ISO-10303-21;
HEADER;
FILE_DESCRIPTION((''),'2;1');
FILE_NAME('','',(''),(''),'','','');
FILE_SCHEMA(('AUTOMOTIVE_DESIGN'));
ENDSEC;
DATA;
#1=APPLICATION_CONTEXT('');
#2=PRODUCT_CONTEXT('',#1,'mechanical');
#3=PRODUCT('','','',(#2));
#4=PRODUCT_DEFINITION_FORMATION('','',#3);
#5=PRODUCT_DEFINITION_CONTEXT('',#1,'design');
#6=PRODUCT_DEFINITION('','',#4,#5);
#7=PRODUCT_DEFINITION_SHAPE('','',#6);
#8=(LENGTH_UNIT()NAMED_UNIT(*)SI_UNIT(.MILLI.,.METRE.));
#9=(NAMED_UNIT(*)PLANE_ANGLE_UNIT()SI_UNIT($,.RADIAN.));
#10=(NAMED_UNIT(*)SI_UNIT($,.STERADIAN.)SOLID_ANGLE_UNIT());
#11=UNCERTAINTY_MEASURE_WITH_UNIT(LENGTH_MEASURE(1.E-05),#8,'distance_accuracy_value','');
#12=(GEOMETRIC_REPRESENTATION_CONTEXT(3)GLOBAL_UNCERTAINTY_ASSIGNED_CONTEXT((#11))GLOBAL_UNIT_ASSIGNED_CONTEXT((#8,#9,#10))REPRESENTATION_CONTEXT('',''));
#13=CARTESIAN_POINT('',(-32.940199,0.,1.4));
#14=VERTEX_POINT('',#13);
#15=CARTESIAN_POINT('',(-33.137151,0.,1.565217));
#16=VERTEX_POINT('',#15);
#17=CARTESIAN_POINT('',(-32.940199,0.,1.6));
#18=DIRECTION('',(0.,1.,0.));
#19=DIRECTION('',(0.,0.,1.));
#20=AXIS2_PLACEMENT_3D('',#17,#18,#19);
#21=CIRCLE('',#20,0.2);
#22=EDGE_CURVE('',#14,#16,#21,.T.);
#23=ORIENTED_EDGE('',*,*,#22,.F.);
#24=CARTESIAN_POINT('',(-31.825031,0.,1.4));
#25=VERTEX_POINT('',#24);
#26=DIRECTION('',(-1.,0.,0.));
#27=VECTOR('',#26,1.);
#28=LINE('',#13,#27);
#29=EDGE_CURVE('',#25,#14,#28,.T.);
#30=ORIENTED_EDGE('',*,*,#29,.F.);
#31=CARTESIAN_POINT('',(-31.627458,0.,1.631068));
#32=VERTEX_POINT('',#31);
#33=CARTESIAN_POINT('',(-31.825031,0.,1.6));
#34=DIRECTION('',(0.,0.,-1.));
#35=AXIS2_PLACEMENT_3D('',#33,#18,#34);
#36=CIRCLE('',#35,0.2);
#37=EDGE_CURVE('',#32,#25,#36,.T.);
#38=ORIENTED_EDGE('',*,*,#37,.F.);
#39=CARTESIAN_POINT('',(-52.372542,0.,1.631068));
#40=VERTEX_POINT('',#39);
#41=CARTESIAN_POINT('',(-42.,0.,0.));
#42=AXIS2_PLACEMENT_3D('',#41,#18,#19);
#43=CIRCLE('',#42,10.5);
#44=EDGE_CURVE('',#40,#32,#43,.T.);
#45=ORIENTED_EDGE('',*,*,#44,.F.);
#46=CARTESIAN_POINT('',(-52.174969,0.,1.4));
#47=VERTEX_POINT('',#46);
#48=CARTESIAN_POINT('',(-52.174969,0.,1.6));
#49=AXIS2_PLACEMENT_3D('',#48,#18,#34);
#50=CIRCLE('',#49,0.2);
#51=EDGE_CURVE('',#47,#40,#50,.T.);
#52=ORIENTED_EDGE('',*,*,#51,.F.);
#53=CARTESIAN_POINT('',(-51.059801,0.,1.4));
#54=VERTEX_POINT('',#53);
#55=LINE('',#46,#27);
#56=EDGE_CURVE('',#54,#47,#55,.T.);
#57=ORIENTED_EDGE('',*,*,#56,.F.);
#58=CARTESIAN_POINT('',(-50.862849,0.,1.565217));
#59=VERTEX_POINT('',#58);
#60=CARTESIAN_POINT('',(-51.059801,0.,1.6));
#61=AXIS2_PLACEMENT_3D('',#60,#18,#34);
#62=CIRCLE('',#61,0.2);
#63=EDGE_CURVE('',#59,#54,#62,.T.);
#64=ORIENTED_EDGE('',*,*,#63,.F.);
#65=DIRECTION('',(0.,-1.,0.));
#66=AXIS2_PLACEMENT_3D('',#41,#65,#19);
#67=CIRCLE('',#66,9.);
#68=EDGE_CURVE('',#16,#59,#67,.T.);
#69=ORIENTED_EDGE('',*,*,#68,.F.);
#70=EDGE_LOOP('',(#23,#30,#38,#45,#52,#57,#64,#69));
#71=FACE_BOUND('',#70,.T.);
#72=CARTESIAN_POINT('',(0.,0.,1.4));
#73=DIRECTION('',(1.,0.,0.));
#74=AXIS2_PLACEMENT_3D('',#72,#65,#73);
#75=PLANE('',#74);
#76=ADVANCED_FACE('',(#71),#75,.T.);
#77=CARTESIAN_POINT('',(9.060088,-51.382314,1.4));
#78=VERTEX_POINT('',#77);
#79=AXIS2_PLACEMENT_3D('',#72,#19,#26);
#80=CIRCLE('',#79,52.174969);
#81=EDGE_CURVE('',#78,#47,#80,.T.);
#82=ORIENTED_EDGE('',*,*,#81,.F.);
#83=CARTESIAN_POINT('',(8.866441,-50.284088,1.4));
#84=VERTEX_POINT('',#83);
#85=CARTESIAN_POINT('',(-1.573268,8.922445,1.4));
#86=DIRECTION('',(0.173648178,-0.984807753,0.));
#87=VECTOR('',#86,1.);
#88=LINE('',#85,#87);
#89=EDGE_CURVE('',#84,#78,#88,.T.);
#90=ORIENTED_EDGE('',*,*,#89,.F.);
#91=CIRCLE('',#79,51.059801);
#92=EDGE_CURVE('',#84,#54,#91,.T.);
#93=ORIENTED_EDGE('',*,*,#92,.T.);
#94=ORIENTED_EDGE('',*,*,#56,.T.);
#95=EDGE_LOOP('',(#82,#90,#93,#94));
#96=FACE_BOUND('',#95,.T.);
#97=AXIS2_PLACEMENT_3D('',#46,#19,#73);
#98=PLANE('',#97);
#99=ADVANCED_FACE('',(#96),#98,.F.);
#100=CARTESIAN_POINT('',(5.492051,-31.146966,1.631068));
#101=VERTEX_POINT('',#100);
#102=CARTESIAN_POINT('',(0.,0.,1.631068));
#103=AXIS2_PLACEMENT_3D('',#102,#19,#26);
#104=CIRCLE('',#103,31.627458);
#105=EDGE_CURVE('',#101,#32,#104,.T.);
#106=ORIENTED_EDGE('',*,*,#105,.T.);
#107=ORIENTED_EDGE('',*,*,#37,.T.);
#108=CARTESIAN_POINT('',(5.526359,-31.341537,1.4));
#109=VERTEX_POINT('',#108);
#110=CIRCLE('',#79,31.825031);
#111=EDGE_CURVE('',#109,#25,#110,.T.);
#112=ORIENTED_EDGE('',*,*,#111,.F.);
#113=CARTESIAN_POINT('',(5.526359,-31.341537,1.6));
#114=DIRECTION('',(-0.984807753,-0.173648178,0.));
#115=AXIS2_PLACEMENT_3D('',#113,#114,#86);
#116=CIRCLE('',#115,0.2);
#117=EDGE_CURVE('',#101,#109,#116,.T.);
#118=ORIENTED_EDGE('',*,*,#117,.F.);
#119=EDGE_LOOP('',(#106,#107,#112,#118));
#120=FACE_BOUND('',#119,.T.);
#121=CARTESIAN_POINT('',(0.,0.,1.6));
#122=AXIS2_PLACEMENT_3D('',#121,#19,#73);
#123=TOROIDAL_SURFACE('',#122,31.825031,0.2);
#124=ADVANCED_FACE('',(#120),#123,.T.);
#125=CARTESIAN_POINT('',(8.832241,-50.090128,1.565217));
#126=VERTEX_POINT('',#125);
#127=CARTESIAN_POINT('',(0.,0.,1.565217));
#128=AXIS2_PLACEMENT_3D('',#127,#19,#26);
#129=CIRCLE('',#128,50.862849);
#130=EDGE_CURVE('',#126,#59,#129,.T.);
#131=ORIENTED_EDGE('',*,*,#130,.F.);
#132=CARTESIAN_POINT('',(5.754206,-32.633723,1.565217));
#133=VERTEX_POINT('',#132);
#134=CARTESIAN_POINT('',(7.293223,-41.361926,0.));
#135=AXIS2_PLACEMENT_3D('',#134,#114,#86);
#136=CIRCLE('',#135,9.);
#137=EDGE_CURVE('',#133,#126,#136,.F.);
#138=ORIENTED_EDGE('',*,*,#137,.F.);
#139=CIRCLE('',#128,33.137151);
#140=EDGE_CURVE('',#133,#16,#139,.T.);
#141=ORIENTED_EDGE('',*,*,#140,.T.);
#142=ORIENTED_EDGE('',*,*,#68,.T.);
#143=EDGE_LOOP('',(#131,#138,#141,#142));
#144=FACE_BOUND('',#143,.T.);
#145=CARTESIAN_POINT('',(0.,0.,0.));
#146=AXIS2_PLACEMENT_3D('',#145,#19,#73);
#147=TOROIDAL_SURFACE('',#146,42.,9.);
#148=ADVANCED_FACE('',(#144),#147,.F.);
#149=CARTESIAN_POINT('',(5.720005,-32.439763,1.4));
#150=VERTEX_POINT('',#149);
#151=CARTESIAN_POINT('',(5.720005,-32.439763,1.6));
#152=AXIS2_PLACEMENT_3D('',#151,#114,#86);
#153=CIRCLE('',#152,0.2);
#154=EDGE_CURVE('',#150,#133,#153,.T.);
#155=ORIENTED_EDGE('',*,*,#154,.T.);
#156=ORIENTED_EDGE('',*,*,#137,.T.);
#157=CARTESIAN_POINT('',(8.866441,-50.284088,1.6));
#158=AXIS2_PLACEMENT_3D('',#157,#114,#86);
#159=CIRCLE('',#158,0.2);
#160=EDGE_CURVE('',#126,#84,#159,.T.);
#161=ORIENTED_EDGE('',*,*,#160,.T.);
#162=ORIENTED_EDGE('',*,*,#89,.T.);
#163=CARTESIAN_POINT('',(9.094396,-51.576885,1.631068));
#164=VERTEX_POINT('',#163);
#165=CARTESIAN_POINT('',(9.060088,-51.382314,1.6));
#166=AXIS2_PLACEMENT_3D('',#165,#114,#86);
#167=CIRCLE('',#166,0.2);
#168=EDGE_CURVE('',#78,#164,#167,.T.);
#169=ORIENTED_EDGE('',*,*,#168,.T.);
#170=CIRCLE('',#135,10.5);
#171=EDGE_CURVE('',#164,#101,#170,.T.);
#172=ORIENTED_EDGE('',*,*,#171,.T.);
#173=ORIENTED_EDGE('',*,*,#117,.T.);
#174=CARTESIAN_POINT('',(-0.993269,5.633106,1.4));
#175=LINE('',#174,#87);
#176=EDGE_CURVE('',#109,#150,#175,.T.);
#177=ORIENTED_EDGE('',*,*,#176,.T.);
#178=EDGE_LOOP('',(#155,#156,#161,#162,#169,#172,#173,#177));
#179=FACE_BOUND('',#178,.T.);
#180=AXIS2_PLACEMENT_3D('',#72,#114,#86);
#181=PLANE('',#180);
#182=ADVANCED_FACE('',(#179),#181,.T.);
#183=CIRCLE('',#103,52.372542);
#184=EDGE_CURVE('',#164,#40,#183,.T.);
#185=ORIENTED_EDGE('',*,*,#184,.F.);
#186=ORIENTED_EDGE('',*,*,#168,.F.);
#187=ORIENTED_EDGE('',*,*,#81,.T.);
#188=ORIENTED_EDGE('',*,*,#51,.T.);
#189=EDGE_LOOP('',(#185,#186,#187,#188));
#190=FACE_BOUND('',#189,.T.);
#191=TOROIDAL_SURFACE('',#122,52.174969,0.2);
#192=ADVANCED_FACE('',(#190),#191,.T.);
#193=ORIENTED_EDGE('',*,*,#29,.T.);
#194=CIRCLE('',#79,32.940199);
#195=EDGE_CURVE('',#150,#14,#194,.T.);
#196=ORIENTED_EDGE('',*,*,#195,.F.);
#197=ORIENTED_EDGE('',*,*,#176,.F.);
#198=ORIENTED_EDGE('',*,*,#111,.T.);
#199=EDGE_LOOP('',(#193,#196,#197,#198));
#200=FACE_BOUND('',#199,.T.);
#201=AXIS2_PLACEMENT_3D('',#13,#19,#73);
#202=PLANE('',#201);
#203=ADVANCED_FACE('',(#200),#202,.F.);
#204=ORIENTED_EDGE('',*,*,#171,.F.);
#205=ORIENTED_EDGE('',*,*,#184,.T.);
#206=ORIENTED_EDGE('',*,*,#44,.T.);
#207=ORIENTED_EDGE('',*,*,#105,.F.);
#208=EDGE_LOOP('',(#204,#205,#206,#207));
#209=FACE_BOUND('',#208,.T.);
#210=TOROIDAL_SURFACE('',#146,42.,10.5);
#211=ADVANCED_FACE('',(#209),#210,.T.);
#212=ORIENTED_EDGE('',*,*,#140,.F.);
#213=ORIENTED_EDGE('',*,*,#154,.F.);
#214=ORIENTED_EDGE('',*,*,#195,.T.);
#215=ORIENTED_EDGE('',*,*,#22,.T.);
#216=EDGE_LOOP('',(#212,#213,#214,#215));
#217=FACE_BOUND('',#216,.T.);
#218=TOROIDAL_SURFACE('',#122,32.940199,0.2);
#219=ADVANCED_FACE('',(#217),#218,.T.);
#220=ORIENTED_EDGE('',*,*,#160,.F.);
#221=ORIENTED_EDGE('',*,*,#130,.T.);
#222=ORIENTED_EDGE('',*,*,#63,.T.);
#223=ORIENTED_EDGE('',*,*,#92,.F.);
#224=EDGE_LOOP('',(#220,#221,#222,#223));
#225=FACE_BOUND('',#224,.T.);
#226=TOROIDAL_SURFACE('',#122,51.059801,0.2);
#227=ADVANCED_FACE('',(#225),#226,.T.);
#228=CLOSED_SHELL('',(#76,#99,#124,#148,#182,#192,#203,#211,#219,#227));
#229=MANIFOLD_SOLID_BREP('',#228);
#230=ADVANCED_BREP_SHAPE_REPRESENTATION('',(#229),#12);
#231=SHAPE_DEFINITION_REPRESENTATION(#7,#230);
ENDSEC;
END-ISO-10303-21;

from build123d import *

# Parameters (mm, degrees)
CUTOUT_DEPTH      = 11.5000001
CUTOUT_DEPTH_BACK = 1


with BuildPart() as part:
    # Main Belt: sweep along a path in Belt Path
    with BuildLine(Plane.XY) as main_belt_path:
        CenterArc((0, 0), 42, 0, 360)
    # Belt Profile → Main Belt (sweep)
    with BuildSketch(Plane(origin=(0, 0, 0), x_dir=(1, 0, 0), z_dir=(0, 1, 0))):
        with BuildLine():
            Line((-32.940198678, -1.4), (-31.825030713, -1.4))
            ThreePointArc((-31.825030713, -1.4), (-31.673021515, -1.470026142), (-31.627458493, -1.631067961))
            ThreePointArc((-31.627458493, -1.631067961), (-42, -10.5), (-52.372541507, -1.631067961))
            ThreePointArc((-52.372541507, -1.631067961), (-52.326978485, -1.470026142), (-52.174969287, -1.4))
            Line((-52.174969287, -1.4), (-51.059801322, -1.4))
            ThreePointArc((-51.059801322, -1.4), (-50.931264405, -1.446773824), (-50.86284912, -1.565217391))
            ThreePointArc((-50.86284912, -1.565217391), (-42, -9), (-33.13715088, -1.565217391))
            ThreePointArc((-33.13715088, -1.565217391), (-33.068735595, -1.446773824), (-32.940198678, -1.4))
        make_face()
    sweep(path=main_belt_path.line)

    # Test Cutout Sketch → Cutout (cut, two sides)
    with BuildSketch(Plane.XY) as cutout_sk:
        with BuildLine():
            Line((0, 0), (10.41889066, -59.088465181))
            ThreePointArc((10.41889066, -59.088465181), (-38.567256581, -45.962666587), (-60, 0))
            Line((-60, 0), (0, 0))
        make_face()
    extrude(amount=CUTOUT_DEPTH, mode=Mode.SUBTRACT)
    extrude(cutout_sk.sketch, amount=-CUTOUT_DEPTH_BACK, mode=Mode.SUBTRACT)


solid = part.part
